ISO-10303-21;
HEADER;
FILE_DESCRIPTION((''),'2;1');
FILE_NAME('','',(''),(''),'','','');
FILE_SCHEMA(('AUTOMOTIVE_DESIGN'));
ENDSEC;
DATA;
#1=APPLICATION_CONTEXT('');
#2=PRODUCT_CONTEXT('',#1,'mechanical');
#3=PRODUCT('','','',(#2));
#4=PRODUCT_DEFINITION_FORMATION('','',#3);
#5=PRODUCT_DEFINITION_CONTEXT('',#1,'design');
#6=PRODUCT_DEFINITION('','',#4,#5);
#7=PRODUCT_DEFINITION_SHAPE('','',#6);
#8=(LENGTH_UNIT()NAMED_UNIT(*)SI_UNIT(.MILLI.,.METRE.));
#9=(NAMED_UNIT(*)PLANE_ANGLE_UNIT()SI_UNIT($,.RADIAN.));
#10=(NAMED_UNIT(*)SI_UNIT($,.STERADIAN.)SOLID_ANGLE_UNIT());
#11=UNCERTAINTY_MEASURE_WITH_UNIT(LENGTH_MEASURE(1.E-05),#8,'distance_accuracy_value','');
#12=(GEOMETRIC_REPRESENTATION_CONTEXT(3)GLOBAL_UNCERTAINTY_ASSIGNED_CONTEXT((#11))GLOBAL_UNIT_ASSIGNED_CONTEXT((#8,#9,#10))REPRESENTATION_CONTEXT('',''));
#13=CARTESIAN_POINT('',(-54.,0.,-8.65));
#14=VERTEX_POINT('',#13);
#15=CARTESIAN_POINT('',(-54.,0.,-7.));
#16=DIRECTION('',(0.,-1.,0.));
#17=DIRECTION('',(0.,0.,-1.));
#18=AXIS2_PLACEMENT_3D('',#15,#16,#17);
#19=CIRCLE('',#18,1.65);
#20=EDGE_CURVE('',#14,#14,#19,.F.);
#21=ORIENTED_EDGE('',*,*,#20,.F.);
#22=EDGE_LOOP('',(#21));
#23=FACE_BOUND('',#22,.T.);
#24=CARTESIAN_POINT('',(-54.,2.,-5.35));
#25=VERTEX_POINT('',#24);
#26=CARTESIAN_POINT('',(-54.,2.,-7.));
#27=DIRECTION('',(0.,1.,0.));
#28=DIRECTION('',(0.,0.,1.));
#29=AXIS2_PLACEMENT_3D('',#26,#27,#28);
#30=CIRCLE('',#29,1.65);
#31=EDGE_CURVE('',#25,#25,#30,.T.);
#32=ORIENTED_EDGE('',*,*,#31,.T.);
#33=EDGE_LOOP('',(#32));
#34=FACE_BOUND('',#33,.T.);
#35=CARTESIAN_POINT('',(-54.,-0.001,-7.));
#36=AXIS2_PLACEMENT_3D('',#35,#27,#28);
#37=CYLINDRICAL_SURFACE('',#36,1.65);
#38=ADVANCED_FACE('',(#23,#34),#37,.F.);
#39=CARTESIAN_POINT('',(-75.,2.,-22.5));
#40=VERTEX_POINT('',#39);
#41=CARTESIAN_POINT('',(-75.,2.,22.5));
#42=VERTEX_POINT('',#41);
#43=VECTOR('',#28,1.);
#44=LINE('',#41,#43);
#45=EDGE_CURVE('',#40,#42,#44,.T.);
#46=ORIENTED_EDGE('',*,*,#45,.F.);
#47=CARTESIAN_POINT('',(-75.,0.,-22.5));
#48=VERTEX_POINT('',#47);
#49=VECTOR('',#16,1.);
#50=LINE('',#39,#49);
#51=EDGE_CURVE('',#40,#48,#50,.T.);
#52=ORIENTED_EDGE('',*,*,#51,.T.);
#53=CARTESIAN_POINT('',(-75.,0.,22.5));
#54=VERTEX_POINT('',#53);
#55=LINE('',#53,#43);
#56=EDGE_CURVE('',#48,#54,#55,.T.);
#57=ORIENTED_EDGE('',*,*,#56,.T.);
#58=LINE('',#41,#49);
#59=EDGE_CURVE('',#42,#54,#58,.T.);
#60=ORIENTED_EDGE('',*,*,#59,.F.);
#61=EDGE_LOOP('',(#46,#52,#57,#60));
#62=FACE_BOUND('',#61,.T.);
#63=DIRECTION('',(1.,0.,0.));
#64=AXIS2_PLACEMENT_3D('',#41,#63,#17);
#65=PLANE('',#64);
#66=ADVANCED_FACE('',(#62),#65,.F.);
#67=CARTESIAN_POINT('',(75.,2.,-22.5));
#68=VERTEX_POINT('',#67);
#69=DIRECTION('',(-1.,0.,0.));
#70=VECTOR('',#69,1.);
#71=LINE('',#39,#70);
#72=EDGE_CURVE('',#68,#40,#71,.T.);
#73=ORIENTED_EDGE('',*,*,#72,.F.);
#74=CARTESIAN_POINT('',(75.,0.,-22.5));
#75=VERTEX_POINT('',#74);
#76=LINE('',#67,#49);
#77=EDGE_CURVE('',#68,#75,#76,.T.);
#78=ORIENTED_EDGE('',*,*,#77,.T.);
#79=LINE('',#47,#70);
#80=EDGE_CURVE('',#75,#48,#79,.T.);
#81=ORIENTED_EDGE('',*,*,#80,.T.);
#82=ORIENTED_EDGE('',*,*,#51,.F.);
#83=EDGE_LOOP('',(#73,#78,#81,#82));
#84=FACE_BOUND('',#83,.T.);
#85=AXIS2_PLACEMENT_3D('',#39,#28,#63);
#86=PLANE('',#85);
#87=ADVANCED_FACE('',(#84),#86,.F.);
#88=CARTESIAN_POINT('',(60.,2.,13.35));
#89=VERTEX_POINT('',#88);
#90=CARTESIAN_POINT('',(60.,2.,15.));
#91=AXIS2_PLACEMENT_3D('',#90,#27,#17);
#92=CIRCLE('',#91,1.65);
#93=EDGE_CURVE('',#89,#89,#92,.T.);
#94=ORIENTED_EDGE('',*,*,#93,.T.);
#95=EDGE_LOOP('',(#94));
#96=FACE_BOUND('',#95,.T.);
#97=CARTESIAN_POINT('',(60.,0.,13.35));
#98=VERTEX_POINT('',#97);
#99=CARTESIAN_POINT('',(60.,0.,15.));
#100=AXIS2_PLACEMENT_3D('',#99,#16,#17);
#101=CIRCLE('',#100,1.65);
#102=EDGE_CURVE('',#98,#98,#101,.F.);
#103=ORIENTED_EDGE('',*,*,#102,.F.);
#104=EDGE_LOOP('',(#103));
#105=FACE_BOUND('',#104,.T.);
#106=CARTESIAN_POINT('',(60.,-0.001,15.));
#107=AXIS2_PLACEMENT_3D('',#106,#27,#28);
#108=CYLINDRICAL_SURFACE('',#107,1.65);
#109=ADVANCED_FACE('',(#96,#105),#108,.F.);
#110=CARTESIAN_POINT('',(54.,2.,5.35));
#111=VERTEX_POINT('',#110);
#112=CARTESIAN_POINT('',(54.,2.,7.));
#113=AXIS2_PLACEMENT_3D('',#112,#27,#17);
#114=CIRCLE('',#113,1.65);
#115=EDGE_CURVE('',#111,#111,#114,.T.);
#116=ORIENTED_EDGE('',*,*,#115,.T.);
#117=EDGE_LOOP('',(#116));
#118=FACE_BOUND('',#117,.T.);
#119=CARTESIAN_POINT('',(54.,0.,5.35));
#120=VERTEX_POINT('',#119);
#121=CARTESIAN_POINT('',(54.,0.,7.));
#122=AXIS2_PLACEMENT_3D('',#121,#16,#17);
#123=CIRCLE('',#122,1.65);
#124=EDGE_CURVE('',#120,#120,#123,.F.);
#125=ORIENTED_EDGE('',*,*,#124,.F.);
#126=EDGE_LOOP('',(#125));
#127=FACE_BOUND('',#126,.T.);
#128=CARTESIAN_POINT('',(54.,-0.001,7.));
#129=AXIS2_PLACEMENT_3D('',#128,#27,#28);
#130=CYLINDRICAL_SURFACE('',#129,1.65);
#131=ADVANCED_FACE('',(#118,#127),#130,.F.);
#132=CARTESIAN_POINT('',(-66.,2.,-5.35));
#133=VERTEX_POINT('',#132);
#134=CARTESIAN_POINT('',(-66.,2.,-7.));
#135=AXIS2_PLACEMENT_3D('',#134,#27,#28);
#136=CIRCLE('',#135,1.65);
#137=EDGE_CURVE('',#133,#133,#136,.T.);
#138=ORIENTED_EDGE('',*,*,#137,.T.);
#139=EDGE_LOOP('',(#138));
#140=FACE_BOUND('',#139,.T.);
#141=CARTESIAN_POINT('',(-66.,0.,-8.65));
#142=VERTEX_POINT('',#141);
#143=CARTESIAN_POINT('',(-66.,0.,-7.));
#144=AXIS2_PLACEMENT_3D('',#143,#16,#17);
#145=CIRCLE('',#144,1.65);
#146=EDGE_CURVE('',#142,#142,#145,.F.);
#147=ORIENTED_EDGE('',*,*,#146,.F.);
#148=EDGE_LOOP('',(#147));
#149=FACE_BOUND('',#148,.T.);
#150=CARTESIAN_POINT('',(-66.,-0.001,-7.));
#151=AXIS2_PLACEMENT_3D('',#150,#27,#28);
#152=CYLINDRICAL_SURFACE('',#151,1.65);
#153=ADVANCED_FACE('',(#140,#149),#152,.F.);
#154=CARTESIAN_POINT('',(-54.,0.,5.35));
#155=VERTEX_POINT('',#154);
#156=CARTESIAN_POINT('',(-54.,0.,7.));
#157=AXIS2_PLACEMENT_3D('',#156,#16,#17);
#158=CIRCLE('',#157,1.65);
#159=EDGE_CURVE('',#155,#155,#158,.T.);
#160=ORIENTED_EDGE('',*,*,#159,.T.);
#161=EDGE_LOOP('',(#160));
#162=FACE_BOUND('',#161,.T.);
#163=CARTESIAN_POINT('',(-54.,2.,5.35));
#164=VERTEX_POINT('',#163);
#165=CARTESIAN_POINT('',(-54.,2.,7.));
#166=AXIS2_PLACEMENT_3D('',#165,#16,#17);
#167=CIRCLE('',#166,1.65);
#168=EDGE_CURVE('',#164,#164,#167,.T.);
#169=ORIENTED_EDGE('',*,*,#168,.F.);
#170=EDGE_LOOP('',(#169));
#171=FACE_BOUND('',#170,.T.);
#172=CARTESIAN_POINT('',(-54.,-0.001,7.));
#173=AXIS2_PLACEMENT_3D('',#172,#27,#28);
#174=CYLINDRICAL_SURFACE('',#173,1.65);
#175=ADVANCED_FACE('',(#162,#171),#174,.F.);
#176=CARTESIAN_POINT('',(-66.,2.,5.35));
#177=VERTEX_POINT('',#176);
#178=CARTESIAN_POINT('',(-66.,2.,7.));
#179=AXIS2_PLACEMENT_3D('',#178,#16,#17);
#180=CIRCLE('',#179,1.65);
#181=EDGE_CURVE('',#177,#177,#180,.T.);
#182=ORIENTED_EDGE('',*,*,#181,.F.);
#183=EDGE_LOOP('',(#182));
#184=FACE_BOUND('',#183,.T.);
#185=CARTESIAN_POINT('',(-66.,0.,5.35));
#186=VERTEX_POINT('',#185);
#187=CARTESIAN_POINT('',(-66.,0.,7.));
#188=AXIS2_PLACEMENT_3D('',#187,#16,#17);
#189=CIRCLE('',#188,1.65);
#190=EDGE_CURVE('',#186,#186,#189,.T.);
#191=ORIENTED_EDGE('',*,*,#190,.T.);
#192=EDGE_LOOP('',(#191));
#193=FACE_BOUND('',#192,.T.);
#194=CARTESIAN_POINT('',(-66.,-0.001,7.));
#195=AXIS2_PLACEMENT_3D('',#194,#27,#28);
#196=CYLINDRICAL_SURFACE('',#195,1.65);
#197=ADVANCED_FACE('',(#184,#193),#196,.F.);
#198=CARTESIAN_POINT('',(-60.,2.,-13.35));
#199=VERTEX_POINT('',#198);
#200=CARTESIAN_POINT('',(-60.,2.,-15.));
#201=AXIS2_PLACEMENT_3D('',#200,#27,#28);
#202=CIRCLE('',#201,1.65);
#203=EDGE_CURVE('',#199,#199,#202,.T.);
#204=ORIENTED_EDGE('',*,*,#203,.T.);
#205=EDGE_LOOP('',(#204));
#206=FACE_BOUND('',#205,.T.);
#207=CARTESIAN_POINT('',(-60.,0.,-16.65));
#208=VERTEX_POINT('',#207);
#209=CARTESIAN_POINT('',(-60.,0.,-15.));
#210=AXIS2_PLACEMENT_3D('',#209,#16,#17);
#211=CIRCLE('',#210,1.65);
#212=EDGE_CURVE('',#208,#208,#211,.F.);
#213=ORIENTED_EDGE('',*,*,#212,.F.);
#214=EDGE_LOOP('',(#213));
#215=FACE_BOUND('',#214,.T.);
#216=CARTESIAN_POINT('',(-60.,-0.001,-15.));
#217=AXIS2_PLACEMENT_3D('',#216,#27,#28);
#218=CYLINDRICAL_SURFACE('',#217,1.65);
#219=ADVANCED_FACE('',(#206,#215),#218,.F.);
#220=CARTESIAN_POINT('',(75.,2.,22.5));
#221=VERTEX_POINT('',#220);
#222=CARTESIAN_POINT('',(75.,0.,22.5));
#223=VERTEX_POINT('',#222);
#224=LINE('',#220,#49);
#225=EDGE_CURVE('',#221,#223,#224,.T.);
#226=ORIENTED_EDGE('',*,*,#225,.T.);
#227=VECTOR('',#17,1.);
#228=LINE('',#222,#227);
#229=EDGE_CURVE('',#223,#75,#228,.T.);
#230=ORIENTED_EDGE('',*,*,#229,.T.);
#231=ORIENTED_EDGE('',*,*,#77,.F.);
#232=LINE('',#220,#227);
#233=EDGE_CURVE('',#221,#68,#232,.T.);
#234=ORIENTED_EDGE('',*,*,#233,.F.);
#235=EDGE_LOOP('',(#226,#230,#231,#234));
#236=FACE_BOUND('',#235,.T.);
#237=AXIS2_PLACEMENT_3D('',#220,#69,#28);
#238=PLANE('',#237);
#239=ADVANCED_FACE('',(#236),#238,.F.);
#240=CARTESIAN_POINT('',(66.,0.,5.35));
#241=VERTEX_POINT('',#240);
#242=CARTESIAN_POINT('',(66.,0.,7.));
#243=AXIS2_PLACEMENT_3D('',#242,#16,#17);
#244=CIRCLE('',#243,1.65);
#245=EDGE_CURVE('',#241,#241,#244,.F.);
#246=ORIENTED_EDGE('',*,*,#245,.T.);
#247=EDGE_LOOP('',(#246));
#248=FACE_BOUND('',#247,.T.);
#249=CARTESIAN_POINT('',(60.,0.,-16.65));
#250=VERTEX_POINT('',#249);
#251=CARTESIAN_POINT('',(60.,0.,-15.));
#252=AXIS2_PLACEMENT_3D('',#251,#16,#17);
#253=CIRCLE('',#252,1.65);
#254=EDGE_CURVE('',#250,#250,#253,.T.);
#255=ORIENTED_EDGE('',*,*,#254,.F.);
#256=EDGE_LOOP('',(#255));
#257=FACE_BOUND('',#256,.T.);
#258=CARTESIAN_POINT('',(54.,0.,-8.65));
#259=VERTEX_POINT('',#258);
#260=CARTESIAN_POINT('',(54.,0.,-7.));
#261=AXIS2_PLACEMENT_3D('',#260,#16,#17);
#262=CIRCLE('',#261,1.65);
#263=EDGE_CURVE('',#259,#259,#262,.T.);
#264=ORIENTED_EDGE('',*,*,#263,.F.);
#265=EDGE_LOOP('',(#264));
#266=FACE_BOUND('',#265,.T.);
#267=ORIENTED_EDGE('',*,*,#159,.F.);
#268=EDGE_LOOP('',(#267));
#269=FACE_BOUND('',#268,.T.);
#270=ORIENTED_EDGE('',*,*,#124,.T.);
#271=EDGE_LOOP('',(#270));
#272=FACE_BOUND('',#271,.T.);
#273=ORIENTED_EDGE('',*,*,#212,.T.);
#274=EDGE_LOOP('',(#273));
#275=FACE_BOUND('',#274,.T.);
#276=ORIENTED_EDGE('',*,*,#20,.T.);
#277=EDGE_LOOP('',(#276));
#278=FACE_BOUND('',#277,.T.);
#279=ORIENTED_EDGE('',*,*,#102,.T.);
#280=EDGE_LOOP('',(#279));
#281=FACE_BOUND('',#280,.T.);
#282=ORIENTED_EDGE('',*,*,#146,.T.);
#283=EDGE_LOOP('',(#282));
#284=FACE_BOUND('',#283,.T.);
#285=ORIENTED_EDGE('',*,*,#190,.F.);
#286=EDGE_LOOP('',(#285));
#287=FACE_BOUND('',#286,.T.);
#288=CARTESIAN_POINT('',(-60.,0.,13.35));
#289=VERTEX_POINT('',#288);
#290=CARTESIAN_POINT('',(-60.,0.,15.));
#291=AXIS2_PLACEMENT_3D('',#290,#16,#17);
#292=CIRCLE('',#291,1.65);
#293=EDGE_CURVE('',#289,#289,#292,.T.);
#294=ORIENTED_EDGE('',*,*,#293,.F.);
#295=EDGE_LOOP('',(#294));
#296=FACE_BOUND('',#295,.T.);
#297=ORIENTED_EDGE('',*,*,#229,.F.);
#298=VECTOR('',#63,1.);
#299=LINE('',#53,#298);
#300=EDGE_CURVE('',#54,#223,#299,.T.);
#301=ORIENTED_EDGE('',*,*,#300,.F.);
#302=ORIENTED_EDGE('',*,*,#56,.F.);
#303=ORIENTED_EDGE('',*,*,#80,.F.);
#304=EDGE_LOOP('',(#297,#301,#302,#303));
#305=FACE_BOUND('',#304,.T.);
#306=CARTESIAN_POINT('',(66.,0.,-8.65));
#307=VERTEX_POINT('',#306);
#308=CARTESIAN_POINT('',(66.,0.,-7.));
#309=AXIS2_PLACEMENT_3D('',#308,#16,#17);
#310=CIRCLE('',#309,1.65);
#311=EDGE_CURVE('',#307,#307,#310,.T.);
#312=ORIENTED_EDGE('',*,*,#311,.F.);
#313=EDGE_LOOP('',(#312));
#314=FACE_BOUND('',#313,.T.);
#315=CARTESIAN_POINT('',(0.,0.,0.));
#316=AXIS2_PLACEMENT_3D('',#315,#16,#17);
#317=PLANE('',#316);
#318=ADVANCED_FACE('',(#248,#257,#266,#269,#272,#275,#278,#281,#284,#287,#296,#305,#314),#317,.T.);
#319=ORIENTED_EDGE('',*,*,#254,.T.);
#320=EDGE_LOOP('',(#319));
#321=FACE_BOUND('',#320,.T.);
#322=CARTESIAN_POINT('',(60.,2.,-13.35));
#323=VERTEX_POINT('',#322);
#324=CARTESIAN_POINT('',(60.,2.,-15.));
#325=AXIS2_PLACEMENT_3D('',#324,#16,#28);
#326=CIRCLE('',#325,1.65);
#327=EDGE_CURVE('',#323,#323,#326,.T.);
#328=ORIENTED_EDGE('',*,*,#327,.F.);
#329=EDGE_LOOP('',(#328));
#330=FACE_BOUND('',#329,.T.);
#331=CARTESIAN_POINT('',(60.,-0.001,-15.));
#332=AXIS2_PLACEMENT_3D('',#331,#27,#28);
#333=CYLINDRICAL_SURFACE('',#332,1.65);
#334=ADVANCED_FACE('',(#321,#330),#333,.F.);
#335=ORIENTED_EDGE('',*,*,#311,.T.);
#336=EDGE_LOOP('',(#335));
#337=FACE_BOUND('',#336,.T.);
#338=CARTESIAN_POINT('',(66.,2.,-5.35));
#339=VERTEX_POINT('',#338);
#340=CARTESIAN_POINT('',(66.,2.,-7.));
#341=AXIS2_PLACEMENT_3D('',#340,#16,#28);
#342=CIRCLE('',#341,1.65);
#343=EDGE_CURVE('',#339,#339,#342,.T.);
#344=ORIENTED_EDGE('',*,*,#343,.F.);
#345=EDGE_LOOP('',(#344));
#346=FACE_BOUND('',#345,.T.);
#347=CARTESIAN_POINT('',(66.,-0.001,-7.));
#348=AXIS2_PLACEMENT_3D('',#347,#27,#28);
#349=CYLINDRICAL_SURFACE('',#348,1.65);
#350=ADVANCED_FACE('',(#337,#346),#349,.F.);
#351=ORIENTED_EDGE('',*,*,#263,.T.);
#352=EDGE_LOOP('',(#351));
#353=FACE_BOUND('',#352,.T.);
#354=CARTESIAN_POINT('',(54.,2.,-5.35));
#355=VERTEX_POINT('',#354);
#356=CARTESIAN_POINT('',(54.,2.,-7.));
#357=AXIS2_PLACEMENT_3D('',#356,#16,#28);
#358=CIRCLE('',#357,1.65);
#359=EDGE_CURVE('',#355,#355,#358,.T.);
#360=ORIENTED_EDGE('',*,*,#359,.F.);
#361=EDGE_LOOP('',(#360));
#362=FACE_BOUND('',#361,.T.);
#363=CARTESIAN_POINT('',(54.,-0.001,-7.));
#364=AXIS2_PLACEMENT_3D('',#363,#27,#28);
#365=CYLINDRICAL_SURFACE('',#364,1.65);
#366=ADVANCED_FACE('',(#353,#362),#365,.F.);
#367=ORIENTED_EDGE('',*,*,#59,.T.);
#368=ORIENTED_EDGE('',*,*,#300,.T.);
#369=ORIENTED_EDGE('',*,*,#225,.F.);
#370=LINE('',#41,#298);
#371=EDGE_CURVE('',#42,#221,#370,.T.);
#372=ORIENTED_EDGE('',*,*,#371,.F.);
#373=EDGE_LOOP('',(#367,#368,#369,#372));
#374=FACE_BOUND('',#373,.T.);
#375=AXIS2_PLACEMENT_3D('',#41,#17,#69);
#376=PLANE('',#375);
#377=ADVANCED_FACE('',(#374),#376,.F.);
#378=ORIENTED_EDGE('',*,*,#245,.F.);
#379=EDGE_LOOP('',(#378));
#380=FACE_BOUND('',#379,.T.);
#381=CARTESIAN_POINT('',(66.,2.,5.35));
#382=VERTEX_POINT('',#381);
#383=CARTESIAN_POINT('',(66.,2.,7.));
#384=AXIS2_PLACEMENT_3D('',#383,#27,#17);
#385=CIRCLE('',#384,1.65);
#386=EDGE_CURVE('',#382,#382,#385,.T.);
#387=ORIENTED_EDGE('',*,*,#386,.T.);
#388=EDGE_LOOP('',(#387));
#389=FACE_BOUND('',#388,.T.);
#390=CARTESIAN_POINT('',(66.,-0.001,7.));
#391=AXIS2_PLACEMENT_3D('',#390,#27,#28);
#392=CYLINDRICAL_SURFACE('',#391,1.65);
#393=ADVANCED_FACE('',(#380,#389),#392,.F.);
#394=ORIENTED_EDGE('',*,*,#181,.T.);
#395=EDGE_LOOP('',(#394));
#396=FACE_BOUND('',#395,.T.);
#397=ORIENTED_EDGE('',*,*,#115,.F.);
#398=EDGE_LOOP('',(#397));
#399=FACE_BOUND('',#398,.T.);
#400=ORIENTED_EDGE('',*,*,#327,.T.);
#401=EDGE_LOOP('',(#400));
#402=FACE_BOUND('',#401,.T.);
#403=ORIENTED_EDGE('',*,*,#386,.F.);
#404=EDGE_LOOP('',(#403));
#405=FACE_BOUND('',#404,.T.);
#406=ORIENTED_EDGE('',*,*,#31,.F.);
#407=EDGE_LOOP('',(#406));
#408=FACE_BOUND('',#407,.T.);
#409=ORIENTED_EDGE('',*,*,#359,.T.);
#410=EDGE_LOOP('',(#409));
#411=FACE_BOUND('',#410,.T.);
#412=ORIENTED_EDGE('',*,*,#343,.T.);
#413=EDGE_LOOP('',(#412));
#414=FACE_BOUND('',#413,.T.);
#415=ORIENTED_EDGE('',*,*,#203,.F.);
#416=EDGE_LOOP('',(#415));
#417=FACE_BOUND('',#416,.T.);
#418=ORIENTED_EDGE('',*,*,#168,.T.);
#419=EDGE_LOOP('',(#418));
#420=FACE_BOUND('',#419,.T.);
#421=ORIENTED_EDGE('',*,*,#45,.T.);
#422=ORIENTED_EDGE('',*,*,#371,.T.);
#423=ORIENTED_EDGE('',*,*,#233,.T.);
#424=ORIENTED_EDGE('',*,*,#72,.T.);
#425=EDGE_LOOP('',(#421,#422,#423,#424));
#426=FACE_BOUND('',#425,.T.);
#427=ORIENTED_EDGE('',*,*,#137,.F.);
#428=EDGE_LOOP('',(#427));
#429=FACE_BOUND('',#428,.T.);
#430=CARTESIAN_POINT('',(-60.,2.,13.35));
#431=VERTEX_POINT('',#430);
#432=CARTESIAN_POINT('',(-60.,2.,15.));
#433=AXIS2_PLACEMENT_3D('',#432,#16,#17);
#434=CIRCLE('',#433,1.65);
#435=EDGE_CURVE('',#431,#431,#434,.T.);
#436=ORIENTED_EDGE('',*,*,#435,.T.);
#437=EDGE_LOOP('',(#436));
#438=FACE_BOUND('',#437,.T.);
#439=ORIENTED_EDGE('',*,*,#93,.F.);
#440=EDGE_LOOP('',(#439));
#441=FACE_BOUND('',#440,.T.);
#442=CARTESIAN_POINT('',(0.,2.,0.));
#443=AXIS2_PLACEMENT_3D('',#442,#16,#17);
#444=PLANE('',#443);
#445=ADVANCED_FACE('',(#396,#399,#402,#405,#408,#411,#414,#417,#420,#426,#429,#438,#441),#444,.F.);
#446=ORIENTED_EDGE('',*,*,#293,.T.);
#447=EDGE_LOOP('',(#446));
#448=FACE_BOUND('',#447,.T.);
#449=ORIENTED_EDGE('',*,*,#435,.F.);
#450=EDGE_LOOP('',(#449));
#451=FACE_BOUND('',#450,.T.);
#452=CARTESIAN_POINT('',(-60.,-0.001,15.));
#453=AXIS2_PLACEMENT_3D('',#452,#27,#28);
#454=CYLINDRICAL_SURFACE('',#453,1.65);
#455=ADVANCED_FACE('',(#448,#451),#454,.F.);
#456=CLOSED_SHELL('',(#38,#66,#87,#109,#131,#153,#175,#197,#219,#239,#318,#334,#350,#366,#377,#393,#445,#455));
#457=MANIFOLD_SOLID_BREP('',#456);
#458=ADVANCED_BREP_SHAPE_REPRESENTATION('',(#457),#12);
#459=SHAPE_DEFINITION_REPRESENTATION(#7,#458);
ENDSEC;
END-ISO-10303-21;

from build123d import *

# Parameters (mm, degrees)
SKETCH_1_W               = 150
SKETCH_1_H               = 45
EXTRUDE_1_DEPTH          = 2
CUT_EXTRUDE_1_REACH      = 80.328
SKETCH_2_R               = 1.65
MIRROR_2_COPY_1_REACH    = 80.328
MIRROR_2_COPY_1_SKETCH_R = 1.65


with BuildPart() as part:
    # 草图1 → 凸台-拉伸1 (new body)
    with BuildSketch(Plane(origin=(0, 0, 0), x_dir=(1, 0, 0), z_dir=(0, 1, 0))):
        Rectangle(SKETCH_1_W, SKETCH_1_H)
    extrude(amount=EXTRUDE_1_DEPTH)

    # 草图2 → 切除-拉伸1 (cut, up to next)
    with BuildSketch(Plane(origin=(0, 2, 0), x_dir=(1, 0, 0), z_dir=(0, 1, 0)), mode=Mode.PRIVATE) as cut_extrude_1_sk1:
        with Locations(Location((-60, 15, 0), (0, 0, 270))):
            Circle(SKETCH_2_R)
    cut_extrude_1_tool1 = extrude(cut_extrude_1_sk1.sketch, amount=-CUT_EXTRUDE_1_REACH, mode=Mode.PRIVATE) & part.part
    # 草图2 → 切除-拉伸1 (cut, up to next)
    with BuildSketch(Plane(origin=(0, 2, 0), x_dir=(1, 0, 0), z_dir=(0, 1, 0)), mode=Mode.PRIVATE) as cut_extrude_1_sk2:
        with Locations(Location((-66, 7, 0), (0, 0, 270))):
            Circle(SKETCH_2_R)
    cut_extrude_1_tool2 = extrude(cut_extrude_1_sk2.sketch, amount=-CUT_EXTRUDE_1_REACH, mode=Mode.PRIVATE) & part.part
    # 草图2 → 切除-拉伸1 (cut, up to next)
    with BuildSketch(Plane(origin=(0, 2, 0), x_dir=(1, 0, 0), z_dir=(0, 1, 0)), mode=Mode.PRIVATE) as cut_extrude_1_sk3:
        with Locations(Location((-54, 7, 0), (0, 0, 270))):
            Circle(SKETCH_2_R)
    cut_extrude_1_tool3 = extrude(cut_extrude_1_sk3.sketch, amount=-CUT_EXTRUDE_1_REACH, mode=Mode.PRIVATE) & part.part
    cut_extrude_1_1 = cut_extrude_1_tool1.solids().sort_by_distance((-60, 2, -15))[0]
    add(cut_extrude_1_1, mode=Mode.SUBTRACT)
    cut_extrude_1_2 = cut_extrude_1_tool2.solids().sort_by_distance((-66, 2, -7))[0]
    add(cut_extrude_1_2, mode=Mode.SUBTRACT)
    cut_extrude_1_3 = cut_extrude_1_tool3.solids().sort_by_distance((-54, 2, -7))[0]
    add(cut_extrude_1_3, mode=Mode.SUBTRACT)
    cut_extrude_1 = cut_extrude_1_1 + cut_extrude_1_2 + cut_extrude_1_3  # 切除-拉伸1 as one shape, for the pattern or mirror that repeats it

    # 镜向1: 切除-拉伸1 across plane
    add(cut_extrude_1.mirror(Plane.XY), mode=Mode.SUBTRACT)

    # 镜向2: 切除-拉伸1 across plane
    add(cut_extrude_1.mirror(Plane(origin=(0, 0, 0), x_dir=(0, 0, 1), z_dir=(1, 0, 0))), mode=Mode.SUBTRACT)

    # 镜向2 copy 1 sketch → 镜向2 copy 1 (cut, up to next)
    with BuildSketch(Plane(origin=(0, 2, 0), x_dir=(-1, 0, 0), z_dir=(0, 1, 0)), mode=Mode.PRIVATE) as mirror_2_copy_1_sk1:
        with Locations(Location((-60, 15, 0), (0, 0, 270))):
            Circle(MIRROR_2_COPY_1_SKETCH_R)
    mirror_2_copy_1_tool1 = extrude(mirror_2_copy_1_sk1.sketch, amount=-MIRROR_2_COPY_1_REACH, mode=Mode.PRIVATE) & part.part
    # 镜向2 copy 1 sketch → 镜向2 copy 1 (cut, up to next)
    with BuildSketch(Plane(origin=(0, 2, 0), x_dir=(-1, 0, 0), z_dir=(0, 1, 0)), mode=Mode.PRIVATE) as mirror_2_copy_1_sk2:
        with Locations(Location((-66, 7, 0), (0, 0, 270))):
            Circle(MIRROR_2_COPY_1_SKETCH_R)
    mirror_2_copy_1_tool2 = extrude(mirror_2_copy_1_sk2.sketch, amount=-MIRROR_2_COPY_1_REACH, mode=Mode.PRIVATE) & part.part
    # 镜向2 copy 1 sketch → 镜向2 copy 1 (cut, up to next)
    with BuildSketch(Plane(origin=(0, 2, 0), x_dir=(-1, 0, 0), z_dir=(0, 1, 0)), mode=Mode.PRIVATE) as mirror_2_copy_1_sk3:
        with Locations(Location((-54, 7, 0), (0, 0, 270))):
            Circle(MIRROR_2_COPY_1_SKETCH_R)
    mirror_2_copy_1_tool3 = extrude(mirror_2_copy_1_sk3.sketch, amount=-MIRROR_2_COPY_1_REACH, mode=Mode.PRIVATE) & part.part
    add(mirror_2_copy_1_tool1.solids().sort_by_distance((60, 2, 15))[0], mode=Mode.SUBTRACT)
    add(mirror_2_copy_1_tool2.solids().sort_by_distance((66, 2, 7))[0], mode=Mode.SUBTRACT)
    add(mirror_2_copy_1_tool3.solids().sort_by_distance((54, 2, 7))[0], mode=Mode.SUBTRACT)


solid = part.part
